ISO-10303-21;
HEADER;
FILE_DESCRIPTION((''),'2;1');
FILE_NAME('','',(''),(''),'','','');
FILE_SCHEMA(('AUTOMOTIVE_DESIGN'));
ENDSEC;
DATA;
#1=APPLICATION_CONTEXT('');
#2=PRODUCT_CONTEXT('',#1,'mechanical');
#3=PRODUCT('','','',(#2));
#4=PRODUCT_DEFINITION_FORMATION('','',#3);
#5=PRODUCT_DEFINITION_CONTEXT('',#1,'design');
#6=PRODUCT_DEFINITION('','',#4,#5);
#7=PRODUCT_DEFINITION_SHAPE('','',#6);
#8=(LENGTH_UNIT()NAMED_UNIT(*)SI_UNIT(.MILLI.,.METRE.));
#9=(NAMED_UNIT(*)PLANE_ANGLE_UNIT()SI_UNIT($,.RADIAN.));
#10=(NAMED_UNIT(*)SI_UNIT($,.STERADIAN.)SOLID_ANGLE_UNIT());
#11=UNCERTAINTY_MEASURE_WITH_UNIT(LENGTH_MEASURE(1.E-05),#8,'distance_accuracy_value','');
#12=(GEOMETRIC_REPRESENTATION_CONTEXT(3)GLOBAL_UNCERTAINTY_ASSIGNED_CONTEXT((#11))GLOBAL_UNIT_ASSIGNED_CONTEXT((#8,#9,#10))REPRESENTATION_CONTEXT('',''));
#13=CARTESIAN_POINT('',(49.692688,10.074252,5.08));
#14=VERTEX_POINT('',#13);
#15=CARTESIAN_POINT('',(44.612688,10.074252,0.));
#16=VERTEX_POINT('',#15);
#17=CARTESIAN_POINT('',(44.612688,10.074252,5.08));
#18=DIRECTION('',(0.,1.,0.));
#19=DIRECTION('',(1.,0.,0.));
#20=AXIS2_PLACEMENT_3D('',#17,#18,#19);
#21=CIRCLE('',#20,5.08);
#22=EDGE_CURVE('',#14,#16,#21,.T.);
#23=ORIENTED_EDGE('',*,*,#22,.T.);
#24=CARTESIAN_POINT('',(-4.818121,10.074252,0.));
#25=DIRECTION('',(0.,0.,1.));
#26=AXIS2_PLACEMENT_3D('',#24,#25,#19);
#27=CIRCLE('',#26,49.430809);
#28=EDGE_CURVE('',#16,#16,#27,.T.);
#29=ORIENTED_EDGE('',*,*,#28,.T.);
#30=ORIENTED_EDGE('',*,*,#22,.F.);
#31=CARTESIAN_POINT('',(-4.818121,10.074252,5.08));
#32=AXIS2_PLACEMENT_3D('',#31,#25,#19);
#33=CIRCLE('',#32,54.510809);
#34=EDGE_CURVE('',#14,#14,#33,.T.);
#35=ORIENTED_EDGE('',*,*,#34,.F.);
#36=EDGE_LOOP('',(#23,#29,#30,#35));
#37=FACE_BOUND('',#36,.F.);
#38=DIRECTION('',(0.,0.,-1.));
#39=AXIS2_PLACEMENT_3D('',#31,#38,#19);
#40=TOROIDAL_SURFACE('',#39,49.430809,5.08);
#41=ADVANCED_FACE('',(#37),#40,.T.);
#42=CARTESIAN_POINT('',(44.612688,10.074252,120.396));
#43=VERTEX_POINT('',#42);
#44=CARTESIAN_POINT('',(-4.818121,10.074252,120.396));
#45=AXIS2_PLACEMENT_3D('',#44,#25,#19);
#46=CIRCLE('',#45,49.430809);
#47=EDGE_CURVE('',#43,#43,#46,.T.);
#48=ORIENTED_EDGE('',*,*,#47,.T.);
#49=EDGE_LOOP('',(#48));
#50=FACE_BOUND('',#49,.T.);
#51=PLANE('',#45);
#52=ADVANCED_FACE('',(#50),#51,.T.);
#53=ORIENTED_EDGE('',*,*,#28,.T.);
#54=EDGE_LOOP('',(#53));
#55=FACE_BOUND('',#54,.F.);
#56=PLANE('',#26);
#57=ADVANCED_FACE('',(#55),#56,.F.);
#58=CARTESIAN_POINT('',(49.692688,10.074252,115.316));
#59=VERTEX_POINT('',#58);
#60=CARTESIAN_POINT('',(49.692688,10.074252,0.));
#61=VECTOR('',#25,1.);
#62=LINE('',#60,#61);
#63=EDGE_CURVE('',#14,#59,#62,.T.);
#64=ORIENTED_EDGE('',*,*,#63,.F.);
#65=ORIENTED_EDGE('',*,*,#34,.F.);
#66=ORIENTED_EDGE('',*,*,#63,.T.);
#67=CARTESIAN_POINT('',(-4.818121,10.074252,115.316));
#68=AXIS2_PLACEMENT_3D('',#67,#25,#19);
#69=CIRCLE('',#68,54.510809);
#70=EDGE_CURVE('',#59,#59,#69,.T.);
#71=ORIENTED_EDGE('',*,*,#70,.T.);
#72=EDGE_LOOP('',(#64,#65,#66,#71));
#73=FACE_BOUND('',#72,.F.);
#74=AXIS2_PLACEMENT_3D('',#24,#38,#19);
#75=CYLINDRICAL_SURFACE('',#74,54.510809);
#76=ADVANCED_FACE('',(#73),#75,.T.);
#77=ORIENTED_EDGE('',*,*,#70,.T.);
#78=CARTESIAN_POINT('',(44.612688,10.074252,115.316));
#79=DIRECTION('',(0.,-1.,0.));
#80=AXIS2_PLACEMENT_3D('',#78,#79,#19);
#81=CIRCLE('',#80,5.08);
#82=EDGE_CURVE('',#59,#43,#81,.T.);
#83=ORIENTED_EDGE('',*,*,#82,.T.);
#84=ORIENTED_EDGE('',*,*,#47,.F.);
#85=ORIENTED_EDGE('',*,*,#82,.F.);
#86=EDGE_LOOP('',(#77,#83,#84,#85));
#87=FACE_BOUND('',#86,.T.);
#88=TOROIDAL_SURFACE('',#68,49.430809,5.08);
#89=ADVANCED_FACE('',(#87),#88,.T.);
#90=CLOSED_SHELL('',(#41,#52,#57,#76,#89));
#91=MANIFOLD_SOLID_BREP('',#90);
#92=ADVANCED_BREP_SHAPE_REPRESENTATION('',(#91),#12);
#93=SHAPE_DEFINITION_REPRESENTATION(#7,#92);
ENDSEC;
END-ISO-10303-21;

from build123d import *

# Parameters (mm, degrees)
F0_R     = 54.510809
F1_DEPTH = 120.396
F2_R     = 5.08


with BuildPart() as f1:
    # F0 (on Top) → F1 (new body)
    with BuildSketch(Plane.XY):
        with Locations((-4.818121, 10.074252)):
            Circle(F0_R)
    extrude(amount=F1_DEPTH)

    # F2
    f2_edges = [f1.edges().sort_by_distance(p)[0] for p in [
        (-59.328929, 10.074252, 120.396),
        (-59.328929, 10.074252, 0),
    ]]
    fillet(f2_edges, radius=F2_R)


solid = f1.part
